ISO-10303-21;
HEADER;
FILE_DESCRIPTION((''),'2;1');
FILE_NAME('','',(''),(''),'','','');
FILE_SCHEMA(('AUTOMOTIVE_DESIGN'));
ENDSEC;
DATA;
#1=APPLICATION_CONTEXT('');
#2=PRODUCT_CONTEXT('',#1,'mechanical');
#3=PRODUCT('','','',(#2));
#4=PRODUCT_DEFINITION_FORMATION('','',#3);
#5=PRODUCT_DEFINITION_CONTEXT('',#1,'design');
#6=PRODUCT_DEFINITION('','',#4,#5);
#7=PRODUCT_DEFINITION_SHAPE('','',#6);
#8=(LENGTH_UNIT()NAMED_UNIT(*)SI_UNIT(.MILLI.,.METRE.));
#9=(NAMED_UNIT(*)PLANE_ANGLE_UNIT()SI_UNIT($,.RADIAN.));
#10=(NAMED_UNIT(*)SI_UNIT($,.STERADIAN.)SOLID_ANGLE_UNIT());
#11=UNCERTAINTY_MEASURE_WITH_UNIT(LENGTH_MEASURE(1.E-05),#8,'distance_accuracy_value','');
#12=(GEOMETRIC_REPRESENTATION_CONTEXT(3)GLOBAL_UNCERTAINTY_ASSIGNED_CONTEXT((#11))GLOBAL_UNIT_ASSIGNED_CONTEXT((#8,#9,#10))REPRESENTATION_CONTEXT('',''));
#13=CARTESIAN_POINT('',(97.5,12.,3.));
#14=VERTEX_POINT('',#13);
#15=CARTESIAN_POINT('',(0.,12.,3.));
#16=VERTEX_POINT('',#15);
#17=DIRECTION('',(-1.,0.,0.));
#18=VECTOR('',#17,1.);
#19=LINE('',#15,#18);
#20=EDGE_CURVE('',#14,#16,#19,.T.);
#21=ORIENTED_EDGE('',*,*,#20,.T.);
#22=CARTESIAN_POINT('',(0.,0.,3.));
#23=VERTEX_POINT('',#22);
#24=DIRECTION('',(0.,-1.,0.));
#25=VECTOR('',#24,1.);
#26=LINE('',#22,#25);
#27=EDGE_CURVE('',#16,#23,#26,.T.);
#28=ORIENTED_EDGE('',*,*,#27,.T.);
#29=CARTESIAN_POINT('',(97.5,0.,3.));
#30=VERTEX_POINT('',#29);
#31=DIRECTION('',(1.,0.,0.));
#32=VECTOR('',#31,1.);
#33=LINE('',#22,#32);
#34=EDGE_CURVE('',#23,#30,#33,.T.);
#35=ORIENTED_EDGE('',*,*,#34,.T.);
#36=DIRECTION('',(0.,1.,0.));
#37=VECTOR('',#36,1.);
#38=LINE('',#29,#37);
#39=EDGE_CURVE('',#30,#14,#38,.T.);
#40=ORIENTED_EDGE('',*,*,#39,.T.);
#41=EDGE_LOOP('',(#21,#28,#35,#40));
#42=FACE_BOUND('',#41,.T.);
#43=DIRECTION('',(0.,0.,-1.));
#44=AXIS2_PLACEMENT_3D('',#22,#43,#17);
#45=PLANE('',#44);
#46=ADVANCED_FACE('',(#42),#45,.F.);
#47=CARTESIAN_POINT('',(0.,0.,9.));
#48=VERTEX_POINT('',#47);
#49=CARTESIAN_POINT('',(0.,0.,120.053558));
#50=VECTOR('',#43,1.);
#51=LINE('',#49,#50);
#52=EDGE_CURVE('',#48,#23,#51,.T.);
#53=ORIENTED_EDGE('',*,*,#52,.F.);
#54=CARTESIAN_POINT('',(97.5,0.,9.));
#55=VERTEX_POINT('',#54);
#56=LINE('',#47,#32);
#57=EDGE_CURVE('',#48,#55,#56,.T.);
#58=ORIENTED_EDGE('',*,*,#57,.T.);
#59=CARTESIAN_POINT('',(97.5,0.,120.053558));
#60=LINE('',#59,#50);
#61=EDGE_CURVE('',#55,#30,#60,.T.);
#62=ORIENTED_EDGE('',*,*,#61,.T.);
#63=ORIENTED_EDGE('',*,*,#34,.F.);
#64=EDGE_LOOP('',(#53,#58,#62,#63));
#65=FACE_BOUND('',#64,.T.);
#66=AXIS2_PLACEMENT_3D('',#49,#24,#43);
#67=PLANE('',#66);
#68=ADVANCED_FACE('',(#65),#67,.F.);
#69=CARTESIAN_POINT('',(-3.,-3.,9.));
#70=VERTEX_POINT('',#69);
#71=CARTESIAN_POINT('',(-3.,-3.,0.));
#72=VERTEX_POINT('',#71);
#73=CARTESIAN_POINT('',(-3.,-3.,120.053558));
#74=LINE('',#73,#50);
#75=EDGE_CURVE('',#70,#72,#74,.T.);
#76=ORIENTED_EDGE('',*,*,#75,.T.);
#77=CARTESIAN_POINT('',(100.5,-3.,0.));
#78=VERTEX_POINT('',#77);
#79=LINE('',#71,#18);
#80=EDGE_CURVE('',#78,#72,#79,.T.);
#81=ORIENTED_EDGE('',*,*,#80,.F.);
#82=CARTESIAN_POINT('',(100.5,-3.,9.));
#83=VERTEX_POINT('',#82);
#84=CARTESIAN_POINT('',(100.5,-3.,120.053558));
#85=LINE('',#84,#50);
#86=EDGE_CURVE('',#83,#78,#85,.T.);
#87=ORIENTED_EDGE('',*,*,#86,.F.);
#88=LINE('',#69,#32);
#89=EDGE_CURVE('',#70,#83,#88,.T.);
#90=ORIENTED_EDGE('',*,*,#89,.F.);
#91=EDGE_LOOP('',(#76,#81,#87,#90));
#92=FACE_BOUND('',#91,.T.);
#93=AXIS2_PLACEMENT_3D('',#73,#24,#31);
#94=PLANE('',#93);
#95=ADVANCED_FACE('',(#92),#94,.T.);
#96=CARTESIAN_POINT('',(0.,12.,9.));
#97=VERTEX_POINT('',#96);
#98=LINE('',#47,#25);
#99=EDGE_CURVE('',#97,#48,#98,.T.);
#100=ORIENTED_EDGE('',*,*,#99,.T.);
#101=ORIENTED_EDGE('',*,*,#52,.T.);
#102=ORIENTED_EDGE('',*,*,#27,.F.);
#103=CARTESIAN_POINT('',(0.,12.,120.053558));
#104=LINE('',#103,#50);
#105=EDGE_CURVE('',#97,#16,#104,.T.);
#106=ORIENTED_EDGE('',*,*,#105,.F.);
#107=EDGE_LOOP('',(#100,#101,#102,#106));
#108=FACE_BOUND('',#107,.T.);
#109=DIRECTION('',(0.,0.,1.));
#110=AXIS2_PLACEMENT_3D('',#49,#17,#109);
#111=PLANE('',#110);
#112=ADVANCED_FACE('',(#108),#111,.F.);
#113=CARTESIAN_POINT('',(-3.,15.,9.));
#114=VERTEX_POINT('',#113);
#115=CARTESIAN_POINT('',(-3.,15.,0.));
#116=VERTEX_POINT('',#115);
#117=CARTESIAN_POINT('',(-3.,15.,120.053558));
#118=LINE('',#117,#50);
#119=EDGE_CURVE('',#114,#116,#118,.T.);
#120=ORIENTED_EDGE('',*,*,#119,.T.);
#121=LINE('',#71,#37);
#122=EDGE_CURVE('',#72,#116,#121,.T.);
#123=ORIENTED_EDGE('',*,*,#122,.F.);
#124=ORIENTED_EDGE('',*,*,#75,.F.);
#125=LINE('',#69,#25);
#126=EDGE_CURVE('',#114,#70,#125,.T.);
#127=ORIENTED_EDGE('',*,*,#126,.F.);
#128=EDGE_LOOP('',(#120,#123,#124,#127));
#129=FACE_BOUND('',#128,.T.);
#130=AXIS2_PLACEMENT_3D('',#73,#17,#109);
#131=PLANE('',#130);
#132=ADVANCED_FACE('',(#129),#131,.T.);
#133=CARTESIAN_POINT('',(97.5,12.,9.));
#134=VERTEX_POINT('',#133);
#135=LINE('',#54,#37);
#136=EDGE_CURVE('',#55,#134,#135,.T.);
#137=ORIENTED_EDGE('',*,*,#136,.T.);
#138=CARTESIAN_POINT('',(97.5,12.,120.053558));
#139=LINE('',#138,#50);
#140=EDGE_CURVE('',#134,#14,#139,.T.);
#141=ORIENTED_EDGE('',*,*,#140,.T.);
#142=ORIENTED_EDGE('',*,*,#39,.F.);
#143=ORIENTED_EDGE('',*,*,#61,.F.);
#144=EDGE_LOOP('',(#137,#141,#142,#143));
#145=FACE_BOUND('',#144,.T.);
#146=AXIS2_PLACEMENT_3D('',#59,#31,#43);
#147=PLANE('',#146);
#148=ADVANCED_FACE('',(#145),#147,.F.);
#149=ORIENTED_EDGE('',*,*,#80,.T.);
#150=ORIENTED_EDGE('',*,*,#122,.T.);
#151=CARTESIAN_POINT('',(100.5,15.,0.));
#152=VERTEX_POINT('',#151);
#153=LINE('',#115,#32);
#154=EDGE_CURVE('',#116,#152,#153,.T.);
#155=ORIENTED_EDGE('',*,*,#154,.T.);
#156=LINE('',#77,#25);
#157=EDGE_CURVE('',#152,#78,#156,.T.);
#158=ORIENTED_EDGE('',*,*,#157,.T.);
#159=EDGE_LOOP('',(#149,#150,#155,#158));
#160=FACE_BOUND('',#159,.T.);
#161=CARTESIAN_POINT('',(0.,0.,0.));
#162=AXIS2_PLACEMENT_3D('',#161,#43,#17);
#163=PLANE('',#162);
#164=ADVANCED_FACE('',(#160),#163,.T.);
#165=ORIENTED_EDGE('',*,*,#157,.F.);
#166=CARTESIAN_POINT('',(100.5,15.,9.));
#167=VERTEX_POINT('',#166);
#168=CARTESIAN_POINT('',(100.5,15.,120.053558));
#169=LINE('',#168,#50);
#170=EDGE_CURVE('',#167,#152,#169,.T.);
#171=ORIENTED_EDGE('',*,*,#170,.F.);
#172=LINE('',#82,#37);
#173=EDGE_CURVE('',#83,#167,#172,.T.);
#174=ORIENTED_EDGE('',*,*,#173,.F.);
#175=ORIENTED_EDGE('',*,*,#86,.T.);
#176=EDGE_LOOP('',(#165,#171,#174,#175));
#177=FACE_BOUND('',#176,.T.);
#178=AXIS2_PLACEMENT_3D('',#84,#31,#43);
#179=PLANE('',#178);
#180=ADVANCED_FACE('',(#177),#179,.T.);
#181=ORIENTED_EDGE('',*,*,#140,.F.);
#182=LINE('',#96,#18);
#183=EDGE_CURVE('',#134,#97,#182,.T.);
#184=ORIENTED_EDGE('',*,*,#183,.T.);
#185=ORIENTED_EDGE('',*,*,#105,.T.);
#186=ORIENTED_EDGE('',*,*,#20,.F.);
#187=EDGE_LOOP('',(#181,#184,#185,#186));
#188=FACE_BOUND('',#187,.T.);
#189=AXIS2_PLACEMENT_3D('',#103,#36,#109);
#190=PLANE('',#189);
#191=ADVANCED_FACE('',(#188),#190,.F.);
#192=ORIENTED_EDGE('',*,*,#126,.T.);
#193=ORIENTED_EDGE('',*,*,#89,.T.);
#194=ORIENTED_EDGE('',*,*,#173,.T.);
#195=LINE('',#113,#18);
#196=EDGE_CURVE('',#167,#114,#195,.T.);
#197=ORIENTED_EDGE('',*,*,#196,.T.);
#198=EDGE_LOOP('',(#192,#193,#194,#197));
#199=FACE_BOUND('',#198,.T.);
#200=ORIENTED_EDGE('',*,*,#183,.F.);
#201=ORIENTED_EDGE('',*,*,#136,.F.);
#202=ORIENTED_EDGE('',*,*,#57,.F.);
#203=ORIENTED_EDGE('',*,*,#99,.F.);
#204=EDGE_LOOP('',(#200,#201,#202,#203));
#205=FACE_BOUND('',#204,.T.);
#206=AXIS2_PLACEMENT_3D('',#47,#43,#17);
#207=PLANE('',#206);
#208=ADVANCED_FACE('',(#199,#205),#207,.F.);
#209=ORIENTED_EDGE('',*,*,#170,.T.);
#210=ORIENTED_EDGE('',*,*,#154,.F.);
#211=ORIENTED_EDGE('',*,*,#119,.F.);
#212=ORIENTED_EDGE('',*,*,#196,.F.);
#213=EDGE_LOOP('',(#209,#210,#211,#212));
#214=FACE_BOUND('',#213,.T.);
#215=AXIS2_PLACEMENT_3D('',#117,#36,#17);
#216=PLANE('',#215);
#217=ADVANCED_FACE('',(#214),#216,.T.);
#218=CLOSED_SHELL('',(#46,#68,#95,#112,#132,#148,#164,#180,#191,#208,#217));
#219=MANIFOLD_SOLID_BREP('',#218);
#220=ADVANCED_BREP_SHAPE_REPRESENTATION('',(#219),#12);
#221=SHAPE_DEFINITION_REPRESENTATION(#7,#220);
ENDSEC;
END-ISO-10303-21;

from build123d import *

# Parameters (mm, degrees)
SKETCH1_W           = 97.5
SKETCH1_H           = 12
BOSS_EXTRUDE1_DEPTH = 3
SKETCH2_W           = 103.5
SKETCH2_H           = 18
SKETCH2_W_2         = 97.5
SKETCH2_H_2         = 12
BOSS_EXTRUDE2_DEPTH = 9


with BuildPart() as part:
    # Sketch1 → Boss-Extrude1 (new body)
    with BuildSketch(Plane.XY):
        with Locations((48.75, 6)):
            Rectangle(SKETCH1_W, SKETCH1_H)
    extrude(amount=BOSS_EXTRUDE1_DEPTH)

    # Sketch2 → Boss-Extrude2 (add)
    with BuildSketch(Plane(origin=(0, 0, 0), x_dir=(-1, 0, 0), z_dir=(0, 0, -1))):
        with Locations((-48.75, 6)):
            Rectangle(SKETCH2_W, SKETCH2_H)
        with Locations((-48.75, 6)):
            Rectangle(SKETCH2_W_2, SKETCH2_H_2, mode=Mode.SUBTRACT)
    extrude(amount=-BOSS_EXTRUDE2_DEPTH)


solid = part.part
